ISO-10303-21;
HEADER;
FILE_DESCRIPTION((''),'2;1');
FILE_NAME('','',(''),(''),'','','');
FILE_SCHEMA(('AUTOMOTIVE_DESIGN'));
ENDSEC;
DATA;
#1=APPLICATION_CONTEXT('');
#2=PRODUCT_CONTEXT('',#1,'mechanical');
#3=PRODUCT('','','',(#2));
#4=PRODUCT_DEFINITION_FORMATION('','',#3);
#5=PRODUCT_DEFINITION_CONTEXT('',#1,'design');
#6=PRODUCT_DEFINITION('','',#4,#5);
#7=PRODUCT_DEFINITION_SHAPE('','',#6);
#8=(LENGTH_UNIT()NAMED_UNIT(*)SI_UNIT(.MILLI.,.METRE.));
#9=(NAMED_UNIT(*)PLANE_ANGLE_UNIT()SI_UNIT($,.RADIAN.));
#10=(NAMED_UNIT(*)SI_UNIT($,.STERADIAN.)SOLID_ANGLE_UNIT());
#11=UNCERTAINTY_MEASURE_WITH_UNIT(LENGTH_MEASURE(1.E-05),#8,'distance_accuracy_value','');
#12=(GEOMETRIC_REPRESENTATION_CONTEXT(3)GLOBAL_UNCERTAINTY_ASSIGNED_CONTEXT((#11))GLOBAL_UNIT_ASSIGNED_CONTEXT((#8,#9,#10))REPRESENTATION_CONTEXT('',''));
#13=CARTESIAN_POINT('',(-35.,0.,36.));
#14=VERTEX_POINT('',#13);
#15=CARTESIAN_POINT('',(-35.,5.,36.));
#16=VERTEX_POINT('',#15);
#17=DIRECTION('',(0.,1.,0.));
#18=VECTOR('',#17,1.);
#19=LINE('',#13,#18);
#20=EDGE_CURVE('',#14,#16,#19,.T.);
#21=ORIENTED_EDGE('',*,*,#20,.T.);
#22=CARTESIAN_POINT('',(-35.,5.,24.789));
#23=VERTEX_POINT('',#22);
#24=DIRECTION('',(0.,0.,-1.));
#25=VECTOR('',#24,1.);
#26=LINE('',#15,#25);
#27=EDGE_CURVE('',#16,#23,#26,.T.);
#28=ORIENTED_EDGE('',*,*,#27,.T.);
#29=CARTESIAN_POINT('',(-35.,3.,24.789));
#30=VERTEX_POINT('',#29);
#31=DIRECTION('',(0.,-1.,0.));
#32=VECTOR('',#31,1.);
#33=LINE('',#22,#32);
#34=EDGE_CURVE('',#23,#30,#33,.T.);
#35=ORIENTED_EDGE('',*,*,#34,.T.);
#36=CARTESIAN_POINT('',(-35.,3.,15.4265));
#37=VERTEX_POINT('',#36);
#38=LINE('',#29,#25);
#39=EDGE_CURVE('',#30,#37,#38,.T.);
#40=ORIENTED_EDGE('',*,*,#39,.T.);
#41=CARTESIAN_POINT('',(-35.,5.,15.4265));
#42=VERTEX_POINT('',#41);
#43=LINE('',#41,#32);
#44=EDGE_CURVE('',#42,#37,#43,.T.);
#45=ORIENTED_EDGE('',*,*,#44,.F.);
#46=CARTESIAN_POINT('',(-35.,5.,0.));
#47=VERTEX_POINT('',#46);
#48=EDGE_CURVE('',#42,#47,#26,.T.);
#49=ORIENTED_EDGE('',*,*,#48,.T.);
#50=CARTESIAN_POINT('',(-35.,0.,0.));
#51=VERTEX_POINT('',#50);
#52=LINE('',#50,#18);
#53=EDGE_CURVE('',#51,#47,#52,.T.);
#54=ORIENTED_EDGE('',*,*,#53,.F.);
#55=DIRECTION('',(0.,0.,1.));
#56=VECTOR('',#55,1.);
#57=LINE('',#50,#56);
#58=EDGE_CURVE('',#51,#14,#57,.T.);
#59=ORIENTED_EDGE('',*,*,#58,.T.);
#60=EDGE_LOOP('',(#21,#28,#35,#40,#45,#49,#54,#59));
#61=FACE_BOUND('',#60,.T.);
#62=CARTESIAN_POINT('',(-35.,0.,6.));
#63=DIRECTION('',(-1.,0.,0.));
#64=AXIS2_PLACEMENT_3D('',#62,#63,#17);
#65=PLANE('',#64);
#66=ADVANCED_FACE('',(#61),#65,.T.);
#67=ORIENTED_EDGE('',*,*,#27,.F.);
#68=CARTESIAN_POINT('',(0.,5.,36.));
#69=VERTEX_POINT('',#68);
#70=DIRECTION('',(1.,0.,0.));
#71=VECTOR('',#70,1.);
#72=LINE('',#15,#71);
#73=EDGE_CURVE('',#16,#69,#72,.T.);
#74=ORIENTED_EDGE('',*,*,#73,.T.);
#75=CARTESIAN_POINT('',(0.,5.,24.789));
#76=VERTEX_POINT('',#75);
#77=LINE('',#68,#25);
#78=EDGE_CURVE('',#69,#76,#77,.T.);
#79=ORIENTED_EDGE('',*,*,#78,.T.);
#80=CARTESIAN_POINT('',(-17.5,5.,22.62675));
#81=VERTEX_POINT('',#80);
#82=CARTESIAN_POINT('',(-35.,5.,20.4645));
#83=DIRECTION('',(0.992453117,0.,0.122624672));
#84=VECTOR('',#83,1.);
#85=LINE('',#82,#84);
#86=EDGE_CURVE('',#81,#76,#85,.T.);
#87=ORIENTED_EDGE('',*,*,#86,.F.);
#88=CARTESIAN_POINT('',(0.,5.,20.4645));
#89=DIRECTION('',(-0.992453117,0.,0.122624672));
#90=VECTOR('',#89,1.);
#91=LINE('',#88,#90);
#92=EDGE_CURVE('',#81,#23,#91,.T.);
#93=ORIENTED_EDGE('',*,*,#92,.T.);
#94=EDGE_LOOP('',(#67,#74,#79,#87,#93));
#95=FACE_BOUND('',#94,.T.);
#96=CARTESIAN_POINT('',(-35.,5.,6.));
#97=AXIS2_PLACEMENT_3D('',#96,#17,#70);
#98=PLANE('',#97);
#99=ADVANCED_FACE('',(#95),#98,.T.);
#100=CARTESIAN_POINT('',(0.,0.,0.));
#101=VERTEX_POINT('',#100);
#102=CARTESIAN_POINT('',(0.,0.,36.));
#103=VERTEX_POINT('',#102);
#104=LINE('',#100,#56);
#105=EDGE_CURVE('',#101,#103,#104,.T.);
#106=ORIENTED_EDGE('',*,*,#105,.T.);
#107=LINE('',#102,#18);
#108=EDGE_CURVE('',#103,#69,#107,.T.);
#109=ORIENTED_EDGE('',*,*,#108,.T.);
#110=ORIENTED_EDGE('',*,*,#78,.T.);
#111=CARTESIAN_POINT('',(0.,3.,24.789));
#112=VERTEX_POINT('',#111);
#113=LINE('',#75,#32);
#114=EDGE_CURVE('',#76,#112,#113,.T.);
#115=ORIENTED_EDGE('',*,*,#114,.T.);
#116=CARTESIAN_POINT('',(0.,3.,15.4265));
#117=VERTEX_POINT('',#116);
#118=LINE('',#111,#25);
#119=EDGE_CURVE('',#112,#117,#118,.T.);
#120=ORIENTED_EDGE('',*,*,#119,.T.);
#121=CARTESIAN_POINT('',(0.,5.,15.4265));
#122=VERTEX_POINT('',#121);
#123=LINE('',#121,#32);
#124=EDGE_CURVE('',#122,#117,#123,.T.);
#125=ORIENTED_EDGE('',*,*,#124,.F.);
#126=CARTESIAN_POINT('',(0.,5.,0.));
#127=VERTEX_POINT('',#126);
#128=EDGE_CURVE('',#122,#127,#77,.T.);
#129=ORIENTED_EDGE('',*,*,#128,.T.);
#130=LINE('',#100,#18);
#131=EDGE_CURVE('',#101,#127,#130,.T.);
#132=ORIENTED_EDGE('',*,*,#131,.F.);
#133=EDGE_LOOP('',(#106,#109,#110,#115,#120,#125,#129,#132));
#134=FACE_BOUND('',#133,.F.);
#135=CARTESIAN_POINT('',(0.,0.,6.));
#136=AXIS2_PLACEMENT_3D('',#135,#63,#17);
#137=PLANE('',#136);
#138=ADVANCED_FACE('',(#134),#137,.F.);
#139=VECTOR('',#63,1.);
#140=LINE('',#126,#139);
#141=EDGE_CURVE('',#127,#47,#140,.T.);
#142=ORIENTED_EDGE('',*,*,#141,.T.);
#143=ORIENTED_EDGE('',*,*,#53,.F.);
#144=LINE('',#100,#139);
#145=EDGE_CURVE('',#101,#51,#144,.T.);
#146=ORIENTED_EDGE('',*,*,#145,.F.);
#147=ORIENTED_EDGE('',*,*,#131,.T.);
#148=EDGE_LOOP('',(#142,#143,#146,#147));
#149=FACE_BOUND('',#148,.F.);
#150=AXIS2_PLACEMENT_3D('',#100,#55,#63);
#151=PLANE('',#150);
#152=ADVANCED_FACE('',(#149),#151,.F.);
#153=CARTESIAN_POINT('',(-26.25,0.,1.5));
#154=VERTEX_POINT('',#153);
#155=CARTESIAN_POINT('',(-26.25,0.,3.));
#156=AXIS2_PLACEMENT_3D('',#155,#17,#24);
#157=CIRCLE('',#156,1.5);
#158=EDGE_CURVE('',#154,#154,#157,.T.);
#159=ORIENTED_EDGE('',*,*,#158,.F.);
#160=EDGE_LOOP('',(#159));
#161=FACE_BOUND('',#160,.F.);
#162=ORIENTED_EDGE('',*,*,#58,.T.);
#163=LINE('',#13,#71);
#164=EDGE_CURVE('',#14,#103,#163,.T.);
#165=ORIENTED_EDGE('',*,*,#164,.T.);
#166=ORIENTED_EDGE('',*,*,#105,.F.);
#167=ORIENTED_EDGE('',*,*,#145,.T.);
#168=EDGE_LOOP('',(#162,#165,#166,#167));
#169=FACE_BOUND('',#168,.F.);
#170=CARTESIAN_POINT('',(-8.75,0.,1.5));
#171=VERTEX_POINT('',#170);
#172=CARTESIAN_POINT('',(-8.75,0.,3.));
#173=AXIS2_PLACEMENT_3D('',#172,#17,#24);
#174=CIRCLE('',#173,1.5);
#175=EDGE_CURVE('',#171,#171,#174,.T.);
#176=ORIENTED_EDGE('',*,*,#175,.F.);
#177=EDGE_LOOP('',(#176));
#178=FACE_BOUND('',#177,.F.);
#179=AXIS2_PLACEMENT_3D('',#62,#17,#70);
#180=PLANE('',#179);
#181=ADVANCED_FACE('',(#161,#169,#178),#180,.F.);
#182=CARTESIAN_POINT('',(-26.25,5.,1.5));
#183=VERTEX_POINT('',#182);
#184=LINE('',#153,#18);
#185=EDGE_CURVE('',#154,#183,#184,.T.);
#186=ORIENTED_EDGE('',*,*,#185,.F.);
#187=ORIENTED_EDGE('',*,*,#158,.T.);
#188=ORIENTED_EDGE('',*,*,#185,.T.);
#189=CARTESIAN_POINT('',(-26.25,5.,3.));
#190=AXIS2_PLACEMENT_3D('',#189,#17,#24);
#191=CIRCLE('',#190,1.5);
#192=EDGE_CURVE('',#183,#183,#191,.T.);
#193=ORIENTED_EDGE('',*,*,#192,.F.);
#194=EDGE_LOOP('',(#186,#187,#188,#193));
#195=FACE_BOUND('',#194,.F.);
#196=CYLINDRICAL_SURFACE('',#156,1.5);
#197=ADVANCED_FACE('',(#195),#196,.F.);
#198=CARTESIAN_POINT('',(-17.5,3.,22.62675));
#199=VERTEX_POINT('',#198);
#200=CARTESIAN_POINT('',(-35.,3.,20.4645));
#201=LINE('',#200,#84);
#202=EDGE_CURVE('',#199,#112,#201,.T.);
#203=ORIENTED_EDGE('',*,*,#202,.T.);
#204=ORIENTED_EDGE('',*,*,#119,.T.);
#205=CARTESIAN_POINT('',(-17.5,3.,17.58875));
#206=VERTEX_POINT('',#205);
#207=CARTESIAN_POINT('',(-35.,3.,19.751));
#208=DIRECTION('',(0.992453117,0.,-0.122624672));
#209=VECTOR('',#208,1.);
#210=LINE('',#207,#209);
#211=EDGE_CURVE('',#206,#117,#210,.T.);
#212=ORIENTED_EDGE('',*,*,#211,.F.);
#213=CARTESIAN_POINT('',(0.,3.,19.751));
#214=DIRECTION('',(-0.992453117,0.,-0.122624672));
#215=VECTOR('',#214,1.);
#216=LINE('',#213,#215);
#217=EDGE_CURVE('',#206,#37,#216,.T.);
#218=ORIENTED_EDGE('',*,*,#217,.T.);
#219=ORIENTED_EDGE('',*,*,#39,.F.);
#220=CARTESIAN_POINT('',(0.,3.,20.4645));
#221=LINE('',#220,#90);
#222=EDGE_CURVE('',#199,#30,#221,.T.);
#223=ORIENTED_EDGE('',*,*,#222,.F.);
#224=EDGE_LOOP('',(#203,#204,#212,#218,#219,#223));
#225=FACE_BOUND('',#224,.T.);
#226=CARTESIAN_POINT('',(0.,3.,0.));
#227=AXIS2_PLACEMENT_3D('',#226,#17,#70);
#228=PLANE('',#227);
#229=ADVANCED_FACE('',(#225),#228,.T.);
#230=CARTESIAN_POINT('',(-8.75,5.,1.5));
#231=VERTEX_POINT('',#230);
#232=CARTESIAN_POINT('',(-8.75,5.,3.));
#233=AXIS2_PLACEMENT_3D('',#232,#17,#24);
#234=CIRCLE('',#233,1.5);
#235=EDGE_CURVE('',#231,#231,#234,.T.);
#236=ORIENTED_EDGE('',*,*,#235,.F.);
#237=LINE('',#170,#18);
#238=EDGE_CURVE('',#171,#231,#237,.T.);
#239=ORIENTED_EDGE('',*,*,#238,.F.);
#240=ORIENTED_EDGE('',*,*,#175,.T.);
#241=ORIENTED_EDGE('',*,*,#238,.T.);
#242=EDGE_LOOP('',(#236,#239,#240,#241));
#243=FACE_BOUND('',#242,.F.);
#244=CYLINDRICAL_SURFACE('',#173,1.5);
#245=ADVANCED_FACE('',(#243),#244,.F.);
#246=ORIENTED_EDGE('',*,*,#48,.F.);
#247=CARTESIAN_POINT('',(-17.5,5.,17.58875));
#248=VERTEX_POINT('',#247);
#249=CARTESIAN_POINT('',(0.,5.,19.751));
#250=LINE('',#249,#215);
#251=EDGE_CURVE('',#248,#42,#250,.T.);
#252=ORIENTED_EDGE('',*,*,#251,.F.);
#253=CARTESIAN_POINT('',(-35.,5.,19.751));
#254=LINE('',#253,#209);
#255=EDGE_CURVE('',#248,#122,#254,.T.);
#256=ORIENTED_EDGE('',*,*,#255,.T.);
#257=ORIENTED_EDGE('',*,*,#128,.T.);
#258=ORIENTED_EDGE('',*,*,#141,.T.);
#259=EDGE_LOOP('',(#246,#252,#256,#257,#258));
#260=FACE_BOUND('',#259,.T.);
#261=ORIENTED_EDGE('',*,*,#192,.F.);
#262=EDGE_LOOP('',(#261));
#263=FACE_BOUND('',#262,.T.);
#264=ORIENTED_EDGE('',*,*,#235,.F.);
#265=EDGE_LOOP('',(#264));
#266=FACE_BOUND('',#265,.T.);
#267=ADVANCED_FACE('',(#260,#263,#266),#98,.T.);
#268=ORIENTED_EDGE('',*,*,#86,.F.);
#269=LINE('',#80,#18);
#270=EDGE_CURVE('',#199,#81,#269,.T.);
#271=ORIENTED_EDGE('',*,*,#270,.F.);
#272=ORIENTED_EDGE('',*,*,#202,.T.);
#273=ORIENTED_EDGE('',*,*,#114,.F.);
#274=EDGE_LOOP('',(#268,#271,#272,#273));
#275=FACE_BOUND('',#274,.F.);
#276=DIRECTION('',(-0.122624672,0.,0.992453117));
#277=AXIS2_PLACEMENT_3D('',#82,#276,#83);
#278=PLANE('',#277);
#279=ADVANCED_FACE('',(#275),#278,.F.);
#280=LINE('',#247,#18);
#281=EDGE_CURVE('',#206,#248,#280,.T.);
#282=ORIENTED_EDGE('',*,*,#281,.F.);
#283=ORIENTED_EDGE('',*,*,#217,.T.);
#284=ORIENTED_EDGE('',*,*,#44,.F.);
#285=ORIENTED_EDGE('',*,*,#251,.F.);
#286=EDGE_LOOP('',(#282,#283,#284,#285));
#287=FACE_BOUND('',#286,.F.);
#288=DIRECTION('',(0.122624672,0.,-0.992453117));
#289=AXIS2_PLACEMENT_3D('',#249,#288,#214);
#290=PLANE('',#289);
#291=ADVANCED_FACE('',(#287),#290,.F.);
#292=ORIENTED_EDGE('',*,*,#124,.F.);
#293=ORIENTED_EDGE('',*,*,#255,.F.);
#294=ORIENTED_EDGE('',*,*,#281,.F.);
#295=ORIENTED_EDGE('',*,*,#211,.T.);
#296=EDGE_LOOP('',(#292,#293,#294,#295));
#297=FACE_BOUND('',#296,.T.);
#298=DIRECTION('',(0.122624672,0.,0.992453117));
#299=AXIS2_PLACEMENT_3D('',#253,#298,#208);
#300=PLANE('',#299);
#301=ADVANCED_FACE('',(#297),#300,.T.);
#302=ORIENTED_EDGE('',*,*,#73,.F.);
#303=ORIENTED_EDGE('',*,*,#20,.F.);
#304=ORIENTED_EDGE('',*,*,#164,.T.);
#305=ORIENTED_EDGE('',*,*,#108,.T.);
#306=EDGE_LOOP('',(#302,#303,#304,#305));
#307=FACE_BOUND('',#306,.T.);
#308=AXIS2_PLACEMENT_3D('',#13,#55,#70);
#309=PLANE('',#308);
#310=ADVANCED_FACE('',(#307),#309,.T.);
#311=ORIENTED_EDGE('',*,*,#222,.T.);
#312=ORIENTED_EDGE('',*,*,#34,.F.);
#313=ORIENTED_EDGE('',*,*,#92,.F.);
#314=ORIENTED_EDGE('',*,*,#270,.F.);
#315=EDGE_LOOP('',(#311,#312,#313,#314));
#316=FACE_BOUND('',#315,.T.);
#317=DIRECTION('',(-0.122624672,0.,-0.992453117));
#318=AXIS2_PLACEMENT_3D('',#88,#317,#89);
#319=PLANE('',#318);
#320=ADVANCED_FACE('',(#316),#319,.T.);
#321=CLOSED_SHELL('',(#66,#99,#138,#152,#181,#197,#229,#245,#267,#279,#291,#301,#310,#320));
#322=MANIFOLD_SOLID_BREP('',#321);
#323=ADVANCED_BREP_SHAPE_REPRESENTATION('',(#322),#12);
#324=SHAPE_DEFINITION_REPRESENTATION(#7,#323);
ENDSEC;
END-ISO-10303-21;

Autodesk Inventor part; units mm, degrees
ref_plane "YZ Plane" through (0, 0, 0) normal (1, 0, 0) x (0, 1, 0)
ref_plane "XZ Plane" through (0, 0, 0) normal (0, 1, 0) x (-1, 0, 0)
ref_plane "XY Plane" through (0, 0, 0) normal (0, 0, 1) x (1, 0, 0)
sketch "Sketch1" plane through (0, 0, 0) normal (0, 1, 0) x (-1, 0, 0)
  line L0 (0, 0) -> (35, 0)
  line L1 (35, 0) -> (35, 6)
  line L2 (0, 6) -> (35, 6)
  line L3 (0, 0) -> (0, 6)
  line L4 (0, 6) -> (0, 0)
  line L5 (0, 3) -> (35, 3)
  line L6 (17.5, 3) -> (35, 3)
  line L7 (17.5, 3) -> (0, 3)
  point P0 (17.5, 0)
  point P1 (8.75, 3)
  point P2 (26.25, 3)
extrude "Extrusion1" add sketch "Sketch1" along normal blind 5
sketch "Sketch2" plane through (-35, 0, 6) normal (0, 0, 1) x (1, 0, 0)
  line L0 (0, 0) -> (35, 0) projected
  line L1 (35, 0) -> (35, 5) projected
  line L2 (0, 5) -> (35, 5) projected
  line L3 (0, 0) -> (0, 5) projected
extrude "Extrusion2" add sketch "Sketch2" along normal blind 30
sketch "Sketch3" plane through (0, 5, 0) normal (0, 1, 0) x (1, 0, 0)
  line L0 (0, 0) -> (0, -36) projected
  line L1 (0, 0) -> (-35, 0) projected
  line L2 (-35, 0) -> (-35, -36) projected
  line L3 (0, -36) -> (-35, -36) projected
  line L4 (-35, 0) -> (-35, -36) projected
  line L5 (-35, -31) -> (0, -31)
  line L6 (0, -31) -> (0, -25)
  line L7 (0, -25) -> (-35, -25)
  line L8 (-35, -25) -> (-35, -31)
  dimension "d4" = 5
  dimension "d5" = 25
sketch "Sketch4" plane through (0, 0, 0) normal (0, -1, 0) x (1, 0, 0)
  line L0 (-35, 0) -> (0, 0)
  line L1 (0, 0) -> (0, 6)
  line L2 (-35, 6) -> (0, 6)
  line L3 (-35, 0) -> (-35, 6)
  line L4 (-35, 6) -> (-35, 0)
  line L5 (-35, 3) -> (0, 3)
  line L6 (-17.5, 3) -> (0, 3)
  line L7 (-17.5, 3) -> (-35, 3)
  point P0 (0, 0)
  point P1 (-17.5, 0)
  point P2 (-8.75, 3)
  point P3 (-26.25, 3)
hole "Hole1" at (-8.75, 0, 3) at (-26.25, 0, 3) direction (0, 1, 0) diameter 3 depth 8 tip angle 118
sketch "Sketch5" plane through (0, 5, 0) normal (0, 1, 0) x (1, 0, 0)
  line L0 (-99.5, -29.2319) -> (64.2547, -8.9987) projected
  line L1 (64.5, -10.9836) -> (-99.2547, -31.2168) projected
  line L2 (0, -20.4645) -> (-35, -24.789)
  line L3 (-35, -19.751) -> (0, -15.4265)
  line L4 (0, -15.4265) -> (0, -20.4645)
  line L5 (-35, -19.751) -> (-35, -24.789)
  dimension "d15" = 1.5
  dimension "d16" = 1.5
extrude "Extrusion4" cut sketch "Sketch5" against normal blind 2
sketch "Sketch7" plane through (0, 5, 0) normal (0, 1, 0) x (1, 0, 0)
  line L0 (0, -15.4265) -> (0, -20.4645)
  line L1 (0, -19.751) -> (0, -24.789)
  line L2 (-35, 0) -> (-35, -36) projected
  line L3 (-35, -36) -> (-35, -49.8548)
  line L4 (-35, -20.4645) -> (0, -24.789)
  line L5 (0, -19.751) -> (-35, -15.4265)
  line L6 (-35, -15.4265) -> (-35, -20.4645)
  line L7 (0, 0) -> (0, -36) projected
extrude "Extrusion5" cut sketch "Sketch7" against normal blind 2
properties part number "side_clip" material "ABS Plastic"
